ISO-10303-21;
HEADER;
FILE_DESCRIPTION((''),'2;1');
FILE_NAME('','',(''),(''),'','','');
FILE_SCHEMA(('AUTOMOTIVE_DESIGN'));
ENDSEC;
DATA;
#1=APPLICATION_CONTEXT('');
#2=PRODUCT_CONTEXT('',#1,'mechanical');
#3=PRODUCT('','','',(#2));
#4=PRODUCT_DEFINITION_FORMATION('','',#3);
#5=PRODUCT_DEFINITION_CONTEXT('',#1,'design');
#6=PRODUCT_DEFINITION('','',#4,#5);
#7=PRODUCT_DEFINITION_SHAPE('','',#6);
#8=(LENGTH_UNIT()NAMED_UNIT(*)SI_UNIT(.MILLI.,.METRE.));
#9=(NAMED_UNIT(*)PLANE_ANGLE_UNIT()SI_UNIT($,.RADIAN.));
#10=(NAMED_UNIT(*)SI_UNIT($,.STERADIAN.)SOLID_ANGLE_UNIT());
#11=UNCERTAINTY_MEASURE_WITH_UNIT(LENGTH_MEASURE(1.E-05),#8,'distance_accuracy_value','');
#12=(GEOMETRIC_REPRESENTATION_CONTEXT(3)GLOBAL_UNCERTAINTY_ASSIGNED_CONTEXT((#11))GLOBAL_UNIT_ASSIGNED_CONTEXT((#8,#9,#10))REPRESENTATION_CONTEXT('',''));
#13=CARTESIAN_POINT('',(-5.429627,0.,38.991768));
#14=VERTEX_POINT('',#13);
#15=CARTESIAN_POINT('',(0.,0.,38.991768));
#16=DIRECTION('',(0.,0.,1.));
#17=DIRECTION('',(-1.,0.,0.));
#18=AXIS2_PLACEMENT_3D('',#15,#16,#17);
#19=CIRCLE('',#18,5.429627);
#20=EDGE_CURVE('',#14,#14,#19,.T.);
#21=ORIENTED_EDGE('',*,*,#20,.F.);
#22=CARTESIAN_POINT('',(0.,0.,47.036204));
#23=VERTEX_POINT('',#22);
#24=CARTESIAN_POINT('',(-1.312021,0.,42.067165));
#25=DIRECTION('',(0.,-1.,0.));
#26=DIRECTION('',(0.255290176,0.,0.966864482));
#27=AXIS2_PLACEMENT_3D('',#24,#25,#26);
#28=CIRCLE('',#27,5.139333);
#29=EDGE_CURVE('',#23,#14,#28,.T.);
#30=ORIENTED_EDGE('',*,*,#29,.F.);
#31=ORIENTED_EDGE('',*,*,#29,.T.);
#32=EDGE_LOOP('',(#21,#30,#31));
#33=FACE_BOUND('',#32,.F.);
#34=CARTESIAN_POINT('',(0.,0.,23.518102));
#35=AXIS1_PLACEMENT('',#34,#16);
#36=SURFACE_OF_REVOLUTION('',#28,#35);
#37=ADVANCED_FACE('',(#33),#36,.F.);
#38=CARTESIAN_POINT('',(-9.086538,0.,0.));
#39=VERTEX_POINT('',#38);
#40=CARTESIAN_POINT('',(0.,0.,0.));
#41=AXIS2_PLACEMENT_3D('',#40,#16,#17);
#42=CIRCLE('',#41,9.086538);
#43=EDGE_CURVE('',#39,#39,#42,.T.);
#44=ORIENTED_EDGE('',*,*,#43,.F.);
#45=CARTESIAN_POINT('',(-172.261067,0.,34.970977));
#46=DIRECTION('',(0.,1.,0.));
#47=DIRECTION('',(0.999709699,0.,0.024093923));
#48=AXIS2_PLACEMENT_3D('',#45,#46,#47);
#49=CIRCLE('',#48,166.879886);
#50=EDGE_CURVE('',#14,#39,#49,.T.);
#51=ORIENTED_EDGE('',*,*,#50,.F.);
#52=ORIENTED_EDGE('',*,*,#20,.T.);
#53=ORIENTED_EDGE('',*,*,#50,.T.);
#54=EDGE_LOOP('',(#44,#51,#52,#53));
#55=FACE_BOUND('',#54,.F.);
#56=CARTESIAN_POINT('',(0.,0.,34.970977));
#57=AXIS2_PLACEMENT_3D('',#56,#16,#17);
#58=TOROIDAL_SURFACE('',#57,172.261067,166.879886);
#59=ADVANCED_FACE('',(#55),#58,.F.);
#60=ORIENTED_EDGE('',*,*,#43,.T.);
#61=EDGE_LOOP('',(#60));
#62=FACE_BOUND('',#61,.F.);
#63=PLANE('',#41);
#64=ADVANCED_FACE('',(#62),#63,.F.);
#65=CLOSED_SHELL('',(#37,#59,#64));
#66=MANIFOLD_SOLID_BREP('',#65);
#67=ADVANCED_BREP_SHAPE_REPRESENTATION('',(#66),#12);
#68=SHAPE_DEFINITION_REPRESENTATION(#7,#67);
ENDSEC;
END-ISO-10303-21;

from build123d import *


with BuildPart() as f1:
    # F0 (on Front) → F1 (revolve)
    with BuildSketch(Plane.XZ):
        with BuildLine():
            Line((0, 0), (0, 47.036204))
            ThreePointArc((0, 47.036204), (-5.571841, 44.942349), (-5.429627, 38.991768))
            ThreePointArc((-5.429627, 38.991768), (-6.110309, 19.388238), (-9.086538, 0))
            Line((-9.086538, 0), (0, 0))
        make_face()
    revolve(axis=Axis((0, 0, 23.518102), (0, 0, 1)))


solid = f1.part
